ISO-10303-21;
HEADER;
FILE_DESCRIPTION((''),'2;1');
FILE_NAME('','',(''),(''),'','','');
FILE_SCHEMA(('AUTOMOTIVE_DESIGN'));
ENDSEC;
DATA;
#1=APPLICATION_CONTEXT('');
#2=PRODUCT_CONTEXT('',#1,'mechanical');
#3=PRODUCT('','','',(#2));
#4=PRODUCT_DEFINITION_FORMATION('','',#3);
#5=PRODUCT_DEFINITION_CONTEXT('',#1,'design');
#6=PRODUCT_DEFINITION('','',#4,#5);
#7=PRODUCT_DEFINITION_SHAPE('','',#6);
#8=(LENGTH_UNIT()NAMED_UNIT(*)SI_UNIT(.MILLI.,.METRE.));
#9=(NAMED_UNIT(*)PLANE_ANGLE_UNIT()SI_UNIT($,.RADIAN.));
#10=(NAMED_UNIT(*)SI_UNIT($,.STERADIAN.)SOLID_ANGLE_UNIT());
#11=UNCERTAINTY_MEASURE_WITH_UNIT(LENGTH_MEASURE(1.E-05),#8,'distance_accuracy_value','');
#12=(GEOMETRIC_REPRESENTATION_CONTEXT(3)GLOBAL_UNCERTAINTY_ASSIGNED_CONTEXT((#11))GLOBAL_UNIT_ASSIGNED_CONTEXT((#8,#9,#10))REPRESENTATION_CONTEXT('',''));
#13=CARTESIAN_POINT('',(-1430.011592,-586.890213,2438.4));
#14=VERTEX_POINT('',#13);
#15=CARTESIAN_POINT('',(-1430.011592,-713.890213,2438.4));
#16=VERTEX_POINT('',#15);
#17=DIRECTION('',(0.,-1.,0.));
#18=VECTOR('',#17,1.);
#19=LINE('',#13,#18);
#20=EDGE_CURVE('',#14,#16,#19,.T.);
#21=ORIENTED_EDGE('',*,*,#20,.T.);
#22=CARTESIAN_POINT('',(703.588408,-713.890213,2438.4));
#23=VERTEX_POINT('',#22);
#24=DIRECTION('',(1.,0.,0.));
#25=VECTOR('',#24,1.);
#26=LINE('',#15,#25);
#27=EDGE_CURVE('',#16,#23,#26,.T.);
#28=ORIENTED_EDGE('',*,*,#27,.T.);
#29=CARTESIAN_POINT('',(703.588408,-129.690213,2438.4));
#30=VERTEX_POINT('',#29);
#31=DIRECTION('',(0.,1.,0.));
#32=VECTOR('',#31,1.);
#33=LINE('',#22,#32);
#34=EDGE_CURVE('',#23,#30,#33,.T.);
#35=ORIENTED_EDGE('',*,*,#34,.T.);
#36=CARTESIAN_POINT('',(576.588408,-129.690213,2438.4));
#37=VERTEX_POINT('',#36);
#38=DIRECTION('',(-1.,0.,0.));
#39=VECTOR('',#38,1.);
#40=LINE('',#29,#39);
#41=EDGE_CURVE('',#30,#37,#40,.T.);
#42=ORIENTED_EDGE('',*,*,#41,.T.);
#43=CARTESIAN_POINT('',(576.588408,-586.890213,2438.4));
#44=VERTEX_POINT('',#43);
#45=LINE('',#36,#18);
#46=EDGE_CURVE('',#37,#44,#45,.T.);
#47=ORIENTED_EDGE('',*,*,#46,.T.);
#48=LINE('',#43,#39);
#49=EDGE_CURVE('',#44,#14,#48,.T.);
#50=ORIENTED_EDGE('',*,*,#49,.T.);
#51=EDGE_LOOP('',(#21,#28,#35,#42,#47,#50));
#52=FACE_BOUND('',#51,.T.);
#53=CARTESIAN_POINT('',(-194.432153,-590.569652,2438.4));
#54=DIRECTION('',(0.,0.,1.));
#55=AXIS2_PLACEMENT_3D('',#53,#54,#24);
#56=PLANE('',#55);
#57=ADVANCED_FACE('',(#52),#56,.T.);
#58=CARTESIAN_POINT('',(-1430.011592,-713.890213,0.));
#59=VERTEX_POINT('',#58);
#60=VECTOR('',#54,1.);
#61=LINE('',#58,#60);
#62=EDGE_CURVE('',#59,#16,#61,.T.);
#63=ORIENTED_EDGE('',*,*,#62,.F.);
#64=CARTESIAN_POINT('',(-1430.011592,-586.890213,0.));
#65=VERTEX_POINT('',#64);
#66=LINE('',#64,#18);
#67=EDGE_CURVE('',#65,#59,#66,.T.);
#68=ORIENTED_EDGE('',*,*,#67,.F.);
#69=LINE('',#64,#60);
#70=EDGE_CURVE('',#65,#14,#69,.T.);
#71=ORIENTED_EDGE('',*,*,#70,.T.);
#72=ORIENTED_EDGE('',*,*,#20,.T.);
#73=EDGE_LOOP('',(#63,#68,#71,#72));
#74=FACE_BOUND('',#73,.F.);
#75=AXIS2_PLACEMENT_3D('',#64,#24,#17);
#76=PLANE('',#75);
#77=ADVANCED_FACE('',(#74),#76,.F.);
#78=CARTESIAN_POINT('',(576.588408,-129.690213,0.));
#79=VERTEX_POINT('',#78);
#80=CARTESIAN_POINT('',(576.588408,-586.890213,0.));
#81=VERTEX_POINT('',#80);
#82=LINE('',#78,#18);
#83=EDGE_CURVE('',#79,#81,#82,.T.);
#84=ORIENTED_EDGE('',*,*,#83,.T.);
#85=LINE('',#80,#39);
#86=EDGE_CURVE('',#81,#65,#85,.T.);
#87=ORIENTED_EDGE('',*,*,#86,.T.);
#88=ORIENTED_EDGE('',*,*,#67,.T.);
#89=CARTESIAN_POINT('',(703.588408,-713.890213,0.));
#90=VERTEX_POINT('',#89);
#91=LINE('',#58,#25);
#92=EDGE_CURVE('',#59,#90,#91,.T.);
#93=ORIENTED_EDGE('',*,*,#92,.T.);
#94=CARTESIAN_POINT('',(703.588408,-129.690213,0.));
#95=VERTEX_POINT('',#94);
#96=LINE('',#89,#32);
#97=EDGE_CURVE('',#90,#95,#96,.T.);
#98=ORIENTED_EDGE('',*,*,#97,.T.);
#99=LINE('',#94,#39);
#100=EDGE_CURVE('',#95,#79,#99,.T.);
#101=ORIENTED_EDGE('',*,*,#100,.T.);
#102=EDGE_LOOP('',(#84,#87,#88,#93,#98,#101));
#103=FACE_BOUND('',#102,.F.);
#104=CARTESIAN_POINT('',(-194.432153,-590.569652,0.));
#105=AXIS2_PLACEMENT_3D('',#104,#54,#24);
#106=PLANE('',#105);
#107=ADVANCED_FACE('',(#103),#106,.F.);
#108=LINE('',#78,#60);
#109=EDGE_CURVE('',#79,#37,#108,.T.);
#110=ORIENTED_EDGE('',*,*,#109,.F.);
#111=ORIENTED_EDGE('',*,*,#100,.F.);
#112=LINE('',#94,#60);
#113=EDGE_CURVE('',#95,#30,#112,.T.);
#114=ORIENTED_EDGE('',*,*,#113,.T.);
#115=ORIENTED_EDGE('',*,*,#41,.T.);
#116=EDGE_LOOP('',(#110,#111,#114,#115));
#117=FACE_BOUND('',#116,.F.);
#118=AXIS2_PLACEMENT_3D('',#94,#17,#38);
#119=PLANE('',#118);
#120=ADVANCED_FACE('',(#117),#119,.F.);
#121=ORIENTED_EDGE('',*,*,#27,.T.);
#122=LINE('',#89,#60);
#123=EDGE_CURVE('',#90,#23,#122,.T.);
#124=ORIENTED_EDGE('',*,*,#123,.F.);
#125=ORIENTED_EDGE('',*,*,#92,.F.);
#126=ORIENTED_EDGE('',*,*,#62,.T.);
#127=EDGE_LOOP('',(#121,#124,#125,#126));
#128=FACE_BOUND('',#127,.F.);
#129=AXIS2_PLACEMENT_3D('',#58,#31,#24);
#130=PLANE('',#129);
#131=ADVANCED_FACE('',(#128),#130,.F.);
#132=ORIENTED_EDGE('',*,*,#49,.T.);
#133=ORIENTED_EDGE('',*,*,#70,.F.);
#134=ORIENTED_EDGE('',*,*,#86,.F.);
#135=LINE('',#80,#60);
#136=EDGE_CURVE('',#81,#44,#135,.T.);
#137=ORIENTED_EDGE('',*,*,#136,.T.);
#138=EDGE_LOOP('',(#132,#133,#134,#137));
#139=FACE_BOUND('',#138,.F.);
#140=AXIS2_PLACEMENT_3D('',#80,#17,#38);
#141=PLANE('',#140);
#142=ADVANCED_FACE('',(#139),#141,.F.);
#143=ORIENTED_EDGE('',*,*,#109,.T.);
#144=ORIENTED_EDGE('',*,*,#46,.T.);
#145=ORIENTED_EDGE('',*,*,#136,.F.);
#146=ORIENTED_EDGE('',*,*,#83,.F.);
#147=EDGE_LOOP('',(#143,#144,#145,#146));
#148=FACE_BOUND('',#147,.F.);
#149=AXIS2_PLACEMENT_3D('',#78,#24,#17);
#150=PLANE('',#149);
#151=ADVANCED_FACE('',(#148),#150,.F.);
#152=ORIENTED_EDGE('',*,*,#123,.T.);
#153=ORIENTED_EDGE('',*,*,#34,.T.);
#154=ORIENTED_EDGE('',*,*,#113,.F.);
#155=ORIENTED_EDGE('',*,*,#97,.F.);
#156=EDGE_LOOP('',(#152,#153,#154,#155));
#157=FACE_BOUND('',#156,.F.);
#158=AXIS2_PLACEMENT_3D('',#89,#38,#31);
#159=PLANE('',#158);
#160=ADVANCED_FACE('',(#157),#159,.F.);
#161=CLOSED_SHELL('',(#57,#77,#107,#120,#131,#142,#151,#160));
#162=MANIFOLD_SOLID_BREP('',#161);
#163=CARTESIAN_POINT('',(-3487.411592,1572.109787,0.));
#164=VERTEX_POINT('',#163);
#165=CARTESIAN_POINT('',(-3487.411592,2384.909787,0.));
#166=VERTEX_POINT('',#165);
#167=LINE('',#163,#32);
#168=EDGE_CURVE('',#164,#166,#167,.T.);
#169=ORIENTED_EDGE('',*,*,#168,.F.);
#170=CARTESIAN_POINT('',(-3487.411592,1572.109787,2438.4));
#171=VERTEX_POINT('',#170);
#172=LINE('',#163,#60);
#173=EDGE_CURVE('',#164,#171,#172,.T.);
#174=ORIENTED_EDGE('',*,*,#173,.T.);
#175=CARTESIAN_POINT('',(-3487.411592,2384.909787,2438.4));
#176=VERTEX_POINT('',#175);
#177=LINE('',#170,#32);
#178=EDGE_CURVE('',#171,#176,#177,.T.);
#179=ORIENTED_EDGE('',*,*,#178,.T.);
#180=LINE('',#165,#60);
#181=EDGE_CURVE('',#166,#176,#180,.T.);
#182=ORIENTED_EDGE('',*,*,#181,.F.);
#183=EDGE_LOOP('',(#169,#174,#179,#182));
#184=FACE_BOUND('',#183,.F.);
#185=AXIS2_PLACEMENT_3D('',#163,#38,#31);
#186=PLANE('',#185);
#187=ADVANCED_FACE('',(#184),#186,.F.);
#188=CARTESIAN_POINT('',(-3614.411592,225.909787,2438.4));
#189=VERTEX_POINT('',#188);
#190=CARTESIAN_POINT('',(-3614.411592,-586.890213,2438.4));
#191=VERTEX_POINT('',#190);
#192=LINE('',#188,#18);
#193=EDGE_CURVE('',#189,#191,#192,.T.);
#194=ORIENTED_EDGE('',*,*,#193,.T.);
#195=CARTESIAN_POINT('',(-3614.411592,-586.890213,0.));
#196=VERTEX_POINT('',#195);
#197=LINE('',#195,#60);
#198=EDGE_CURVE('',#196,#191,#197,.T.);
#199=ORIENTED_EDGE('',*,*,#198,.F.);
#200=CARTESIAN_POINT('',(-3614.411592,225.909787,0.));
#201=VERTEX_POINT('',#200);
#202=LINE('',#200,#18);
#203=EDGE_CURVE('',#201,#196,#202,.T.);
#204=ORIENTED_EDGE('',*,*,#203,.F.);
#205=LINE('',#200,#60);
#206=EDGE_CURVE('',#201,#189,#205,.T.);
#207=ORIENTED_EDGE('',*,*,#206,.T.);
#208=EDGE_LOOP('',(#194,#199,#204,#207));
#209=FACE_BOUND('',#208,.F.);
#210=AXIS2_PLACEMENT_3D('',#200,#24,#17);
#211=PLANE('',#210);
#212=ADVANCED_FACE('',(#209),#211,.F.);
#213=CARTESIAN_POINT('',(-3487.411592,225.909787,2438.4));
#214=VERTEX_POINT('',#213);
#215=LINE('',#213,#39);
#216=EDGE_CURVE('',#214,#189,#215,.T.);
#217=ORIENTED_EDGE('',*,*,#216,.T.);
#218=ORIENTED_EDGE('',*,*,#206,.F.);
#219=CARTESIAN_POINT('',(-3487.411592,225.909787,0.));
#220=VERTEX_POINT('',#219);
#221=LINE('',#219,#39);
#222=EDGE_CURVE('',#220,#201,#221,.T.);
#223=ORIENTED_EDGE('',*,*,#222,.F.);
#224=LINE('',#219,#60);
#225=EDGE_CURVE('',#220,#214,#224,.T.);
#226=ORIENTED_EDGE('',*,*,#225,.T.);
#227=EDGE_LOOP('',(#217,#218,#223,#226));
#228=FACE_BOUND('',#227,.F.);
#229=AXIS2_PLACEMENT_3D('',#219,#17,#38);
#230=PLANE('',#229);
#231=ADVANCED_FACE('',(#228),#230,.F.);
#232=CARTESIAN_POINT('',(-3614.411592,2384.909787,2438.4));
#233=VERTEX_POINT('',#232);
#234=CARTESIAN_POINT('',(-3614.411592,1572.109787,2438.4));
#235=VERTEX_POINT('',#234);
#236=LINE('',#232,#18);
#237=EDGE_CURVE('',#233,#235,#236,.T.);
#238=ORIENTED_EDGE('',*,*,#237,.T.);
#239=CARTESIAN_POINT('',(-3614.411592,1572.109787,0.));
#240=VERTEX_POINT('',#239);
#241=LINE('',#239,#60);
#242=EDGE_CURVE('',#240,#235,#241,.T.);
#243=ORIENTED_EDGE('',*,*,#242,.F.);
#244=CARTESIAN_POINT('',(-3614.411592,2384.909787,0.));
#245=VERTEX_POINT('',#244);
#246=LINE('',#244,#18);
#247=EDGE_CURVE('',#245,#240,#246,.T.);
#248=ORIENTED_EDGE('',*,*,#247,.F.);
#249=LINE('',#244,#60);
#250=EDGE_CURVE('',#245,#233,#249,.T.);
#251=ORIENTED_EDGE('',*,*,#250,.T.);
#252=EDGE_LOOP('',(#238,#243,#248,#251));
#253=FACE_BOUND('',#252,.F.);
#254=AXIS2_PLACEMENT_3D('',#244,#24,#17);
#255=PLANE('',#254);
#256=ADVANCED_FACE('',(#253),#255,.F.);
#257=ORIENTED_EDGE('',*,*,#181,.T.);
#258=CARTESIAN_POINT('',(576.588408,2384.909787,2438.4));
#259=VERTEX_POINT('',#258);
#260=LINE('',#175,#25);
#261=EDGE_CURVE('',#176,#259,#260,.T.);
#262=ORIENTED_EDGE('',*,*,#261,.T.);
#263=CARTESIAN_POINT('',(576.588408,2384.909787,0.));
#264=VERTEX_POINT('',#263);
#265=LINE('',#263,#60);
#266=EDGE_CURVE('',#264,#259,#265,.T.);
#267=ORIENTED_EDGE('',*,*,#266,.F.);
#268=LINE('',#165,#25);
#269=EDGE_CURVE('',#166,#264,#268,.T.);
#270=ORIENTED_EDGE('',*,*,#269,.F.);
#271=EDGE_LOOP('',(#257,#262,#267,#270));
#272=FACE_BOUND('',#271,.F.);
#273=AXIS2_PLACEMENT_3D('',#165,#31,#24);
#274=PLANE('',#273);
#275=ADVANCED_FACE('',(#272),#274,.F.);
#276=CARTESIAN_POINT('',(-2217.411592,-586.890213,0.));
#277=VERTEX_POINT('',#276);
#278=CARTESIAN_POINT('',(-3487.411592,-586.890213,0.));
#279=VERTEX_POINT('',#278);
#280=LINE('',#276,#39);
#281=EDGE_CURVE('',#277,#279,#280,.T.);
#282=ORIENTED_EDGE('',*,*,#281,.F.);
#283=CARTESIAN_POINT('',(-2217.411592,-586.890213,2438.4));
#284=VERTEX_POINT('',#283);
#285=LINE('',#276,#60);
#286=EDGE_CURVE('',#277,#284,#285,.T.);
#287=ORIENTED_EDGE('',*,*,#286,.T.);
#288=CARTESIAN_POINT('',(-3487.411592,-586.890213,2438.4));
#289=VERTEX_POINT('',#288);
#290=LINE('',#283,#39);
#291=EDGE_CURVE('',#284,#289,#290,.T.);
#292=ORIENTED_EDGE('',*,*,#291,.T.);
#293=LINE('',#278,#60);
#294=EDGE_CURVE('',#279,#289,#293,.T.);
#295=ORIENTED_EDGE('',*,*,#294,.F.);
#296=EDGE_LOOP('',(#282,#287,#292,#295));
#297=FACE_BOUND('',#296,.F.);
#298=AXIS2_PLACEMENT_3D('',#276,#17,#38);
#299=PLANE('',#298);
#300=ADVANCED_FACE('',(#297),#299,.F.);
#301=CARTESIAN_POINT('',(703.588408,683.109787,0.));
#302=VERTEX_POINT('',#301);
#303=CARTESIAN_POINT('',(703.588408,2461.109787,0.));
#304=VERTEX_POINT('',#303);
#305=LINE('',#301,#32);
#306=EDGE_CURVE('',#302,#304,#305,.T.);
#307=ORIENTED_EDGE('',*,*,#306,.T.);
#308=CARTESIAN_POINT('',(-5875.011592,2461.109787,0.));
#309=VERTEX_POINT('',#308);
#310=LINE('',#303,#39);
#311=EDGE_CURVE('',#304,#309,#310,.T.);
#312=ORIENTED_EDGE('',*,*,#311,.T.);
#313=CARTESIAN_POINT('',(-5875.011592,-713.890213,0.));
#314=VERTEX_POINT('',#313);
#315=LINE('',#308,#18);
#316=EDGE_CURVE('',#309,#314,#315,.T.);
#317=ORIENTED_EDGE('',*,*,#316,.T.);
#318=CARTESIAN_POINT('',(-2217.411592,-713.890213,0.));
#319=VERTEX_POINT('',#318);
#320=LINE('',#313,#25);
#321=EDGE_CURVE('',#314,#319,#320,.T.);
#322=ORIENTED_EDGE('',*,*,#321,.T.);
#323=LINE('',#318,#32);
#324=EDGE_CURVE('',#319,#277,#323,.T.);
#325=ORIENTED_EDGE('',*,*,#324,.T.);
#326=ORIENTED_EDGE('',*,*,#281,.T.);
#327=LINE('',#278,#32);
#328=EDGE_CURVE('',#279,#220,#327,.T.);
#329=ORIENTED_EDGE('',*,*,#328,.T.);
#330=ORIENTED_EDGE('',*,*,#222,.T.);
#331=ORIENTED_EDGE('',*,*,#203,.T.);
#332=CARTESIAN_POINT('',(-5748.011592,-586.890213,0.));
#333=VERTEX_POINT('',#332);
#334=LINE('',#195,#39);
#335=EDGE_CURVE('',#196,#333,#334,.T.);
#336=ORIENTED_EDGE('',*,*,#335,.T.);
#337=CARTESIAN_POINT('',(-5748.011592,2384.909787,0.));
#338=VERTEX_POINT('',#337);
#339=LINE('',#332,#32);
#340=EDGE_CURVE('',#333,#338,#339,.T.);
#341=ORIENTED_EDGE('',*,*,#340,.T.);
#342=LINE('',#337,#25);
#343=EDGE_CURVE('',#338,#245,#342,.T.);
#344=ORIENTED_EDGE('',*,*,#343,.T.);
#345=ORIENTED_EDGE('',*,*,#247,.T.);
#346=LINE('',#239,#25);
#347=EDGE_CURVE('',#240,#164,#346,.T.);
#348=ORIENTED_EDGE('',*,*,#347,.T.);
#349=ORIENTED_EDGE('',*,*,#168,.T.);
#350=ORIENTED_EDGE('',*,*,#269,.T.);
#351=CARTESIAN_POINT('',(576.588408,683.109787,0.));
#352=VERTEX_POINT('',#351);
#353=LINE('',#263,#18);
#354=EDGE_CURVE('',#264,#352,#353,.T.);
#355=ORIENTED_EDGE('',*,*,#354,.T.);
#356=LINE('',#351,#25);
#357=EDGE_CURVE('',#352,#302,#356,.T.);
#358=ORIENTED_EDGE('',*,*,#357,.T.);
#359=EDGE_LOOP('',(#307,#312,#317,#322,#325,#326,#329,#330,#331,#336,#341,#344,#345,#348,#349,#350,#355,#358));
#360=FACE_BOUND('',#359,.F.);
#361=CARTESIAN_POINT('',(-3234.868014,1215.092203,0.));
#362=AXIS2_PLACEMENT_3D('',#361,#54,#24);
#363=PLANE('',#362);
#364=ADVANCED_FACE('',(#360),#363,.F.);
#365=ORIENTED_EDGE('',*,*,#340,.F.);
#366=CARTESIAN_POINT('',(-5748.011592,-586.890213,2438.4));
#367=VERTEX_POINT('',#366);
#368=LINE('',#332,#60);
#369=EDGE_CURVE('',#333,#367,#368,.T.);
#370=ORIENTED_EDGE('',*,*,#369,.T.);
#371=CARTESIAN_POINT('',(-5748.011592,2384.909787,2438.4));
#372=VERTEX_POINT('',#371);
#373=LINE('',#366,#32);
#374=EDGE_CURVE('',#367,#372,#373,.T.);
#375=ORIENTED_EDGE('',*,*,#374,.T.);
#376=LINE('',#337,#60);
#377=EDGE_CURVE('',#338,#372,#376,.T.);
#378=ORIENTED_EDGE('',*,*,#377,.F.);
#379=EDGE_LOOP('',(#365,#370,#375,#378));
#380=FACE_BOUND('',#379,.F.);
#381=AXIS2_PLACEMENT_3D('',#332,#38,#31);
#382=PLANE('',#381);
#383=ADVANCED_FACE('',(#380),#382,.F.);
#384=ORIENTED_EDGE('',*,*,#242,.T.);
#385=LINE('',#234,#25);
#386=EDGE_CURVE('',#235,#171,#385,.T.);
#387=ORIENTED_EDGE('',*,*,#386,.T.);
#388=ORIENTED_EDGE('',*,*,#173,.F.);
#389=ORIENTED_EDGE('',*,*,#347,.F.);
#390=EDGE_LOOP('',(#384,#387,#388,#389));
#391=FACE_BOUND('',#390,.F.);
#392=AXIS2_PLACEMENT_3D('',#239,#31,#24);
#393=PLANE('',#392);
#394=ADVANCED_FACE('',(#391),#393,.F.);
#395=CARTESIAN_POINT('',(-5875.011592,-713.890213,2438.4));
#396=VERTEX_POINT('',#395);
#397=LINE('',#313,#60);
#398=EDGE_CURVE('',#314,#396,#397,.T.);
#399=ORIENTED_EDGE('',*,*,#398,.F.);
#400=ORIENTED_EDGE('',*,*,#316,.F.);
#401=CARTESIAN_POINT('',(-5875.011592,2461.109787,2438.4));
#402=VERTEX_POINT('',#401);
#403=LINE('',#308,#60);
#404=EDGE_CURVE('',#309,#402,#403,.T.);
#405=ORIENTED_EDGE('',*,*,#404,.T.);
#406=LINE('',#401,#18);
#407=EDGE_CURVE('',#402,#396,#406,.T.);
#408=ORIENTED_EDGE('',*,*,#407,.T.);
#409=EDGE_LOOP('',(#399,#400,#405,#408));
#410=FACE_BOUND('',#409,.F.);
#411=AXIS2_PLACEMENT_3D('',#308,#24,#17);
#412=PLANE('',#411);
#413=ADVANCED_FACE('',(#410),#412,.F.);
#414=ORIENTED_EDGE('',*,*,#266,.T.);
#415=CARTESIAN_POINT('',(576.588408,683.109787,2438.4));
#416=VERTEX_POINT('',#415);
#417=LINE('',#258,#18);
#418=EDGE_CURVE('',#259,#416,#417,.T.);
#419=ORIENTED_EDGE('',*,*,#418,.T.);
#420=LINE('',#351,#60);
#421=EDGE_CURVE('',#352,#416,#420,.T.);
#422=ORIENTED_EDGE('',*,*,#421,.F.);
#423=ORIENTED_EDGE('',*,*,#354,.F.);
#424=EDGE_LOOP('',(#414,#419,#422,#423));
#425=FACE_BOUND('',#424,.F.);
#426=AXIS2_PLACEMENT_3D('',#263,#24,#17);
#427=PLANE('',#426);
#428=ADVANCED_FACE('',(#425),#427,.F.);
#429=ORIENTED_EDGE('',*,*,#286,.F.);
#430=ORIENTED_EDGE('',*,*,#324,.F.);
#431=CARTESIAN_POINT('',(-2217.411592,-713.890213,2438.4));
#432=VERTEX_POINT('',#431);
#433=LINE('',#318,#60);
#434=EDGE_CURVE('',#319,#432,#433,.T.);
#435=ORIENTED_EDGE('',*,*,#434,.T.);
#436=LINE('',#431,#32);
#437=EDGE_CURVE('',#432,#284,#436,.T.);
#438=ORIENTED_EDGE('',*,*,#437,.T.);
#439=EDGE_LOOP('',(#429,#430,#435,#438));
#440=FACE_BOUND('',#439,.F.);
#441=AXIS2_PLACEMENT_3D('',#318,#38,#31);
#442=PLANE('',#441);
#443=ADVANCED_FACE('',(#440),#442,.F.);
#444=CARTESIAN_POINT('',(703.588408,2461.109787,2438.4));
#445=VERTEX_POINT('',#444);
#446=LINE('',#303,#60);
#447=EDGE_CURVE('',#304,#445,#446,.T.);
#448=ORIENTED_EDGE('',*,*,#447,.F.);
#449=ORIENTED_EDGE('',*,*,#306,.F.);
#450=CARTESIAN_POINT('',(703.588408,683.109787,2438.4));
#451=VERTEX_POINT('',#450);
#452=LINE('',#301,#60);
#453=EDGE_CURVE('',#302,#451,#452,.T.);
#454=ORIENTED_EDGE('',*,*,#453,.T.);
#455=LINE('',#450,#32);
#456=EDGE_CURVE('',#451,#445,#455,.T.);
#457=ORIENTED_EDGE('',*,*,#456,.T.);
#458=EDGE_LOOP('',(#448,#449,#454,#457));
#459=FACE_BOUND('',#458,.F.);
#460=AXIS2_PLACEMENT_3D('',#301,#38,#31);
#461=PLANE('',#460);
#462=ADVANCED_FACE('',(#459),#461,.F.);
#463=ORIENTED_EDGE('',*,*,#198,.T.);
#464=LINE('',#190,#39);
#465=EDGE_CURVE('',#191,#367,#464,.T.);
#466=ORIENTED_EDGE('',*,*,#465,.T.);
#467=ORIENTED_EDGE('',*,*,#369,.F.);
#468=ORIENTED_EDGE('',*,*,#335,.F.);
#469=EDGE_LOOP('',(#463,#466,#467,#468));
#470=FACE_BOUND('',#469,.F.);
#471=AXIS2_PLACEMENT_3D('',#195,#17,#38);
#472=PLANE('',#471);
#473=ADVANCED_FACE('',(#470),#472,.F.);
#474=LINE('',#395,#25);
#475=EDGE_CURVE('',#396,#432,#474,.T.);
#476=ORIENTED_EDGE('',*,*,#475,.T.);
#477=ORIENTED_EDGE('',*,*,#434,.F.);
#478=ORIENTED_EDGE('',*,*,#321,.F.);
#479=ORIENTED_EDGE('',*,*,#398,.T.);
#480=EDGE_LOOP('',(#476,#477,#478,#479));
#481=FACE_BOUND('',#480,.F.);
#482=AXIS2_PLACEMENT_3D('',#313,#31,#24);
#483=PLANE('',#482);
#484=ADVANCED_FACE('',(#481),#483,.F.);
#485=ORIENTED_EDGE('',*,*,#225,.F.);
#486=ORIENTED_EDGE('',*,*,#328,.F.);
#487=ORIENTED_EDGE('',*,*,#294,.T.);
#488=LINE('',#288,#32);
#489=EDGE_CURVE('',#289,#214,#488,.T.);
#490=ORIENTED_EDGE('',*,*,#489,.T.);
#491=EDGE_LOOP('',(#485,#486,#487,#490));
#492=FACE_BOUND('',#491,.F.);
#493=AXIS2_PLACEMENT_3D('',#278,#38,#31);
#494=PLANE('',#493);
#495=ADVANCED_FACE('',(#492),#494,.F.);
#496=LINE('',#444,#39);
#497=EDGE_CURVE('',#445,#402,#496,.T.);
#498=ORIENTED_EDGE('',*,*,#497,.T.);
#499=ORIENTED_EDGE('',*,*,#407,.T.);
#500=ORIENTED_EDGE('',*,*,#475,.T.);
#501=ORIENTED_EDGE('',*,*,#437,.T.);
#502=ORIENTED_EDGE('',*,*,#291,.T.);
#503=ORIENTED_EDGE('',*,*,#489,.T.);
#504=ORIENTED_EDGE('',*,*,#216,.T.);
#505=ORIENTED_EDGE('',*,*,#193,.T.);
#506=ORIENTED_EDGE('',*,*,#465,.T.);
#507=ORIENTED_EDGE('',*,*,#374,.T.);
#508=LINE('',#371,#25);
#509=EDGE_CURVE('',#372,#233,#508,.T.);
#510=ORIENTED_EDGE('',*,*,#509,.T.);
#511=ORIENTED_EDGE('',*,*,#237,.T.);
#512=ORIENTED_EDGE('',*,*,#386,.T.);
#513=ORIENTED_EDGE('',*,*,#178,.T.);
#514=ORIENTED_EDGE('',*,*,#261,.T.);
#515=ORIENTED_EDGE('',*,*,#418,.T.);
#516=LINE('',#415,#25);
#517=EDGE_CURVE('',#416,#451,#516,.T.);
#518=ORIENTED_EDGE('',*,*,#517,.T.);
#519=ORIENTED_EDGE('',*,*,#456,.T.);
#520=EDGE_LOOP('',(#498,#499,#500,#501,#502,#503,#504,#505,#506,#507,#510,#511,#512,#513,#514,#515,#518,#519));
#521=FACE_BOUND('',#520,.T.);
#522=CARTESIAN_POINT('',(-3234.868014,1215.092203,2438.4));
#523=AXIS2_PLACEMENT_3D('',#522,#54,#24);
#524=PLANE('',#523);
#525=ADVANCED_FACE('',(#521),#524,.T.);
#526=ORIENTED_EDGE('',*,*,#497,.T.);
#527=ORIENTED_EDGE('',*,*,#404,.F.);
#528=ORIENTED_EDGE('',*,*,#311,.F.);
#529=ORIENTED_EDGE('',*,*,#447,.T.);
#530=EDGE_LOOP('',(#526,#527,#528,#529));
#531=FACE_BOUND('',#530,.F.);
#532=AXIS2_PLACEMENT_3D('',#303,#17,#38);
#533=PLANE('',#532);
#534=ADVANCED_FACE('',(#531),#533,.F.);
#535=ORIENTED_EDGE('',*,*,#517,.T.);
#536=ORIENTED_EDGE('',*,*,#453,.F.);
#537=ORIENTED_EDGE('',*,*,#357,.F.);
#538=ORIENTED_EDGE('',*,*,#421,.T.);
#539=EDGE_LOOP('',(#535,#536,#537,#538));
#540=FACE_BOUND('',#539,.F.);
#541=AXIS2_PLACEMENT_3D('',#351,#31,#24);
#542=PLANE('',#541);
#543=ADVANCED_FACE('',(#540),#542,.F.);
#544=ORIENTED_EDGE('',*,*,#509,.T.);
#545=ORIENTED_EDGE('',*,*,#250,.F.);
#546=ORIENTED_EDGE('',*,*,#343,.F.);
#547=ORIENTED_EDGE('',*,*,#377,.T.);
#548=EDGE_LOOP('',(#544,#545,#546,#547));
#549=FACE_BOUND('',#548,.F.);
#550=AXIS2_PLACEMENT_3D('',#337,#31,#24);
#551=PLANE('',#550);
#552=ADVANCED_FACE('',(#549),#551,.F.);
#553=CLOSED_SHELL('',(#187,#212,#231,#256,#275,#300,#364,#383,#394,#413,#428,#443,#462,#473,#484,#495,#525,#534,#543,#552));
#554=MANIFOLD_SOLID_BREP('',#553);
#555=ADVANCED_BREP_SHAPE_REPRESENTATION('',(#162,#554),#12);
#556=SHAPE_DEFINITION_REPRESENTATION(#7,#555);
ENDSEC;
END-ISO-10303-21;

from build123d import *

# Parameters (mm, degrees)
F1_DEPTH = 2438.4


with BuildPart() as f1:
    # F0 (on Top) → F1 (new body)
    with BuildSketch(Plane.XY):
        Polygon((-2217.411592, -586.890213), (-3487.411592, -586.890213), (-3487.411592, 225.909787), (-3614.411592, 225.909787), (-3614.411592, -586.890213), (-5748.011592, -586.890213), (-5748.011592, 2384.909787), (-3614.411592, 2384.909787), (-3614.411592, 1572.109787), (-3487.411592, 1572.109787), (-3487.411592, 2384.909787), (576.588408, 2384.909787), (576.588408, 683.109787), (703.588408, 683.109787), (703.588408, 2461.109787), (-5875.011592, 2461.109787), (-5875.011592, -713.890213), (-2217.411592, -713.890213), align=None)
        Polygon((-1430.011592, -586.890213), (-1430.011592, -713.890213), (703.588408, -713.890213), (703.588408, -129.690213), (576.588408, -129.690213), (576.588408, -586.890213), align=None)
    extrude(amount=F1_DEPTH)


solid = f1.part
